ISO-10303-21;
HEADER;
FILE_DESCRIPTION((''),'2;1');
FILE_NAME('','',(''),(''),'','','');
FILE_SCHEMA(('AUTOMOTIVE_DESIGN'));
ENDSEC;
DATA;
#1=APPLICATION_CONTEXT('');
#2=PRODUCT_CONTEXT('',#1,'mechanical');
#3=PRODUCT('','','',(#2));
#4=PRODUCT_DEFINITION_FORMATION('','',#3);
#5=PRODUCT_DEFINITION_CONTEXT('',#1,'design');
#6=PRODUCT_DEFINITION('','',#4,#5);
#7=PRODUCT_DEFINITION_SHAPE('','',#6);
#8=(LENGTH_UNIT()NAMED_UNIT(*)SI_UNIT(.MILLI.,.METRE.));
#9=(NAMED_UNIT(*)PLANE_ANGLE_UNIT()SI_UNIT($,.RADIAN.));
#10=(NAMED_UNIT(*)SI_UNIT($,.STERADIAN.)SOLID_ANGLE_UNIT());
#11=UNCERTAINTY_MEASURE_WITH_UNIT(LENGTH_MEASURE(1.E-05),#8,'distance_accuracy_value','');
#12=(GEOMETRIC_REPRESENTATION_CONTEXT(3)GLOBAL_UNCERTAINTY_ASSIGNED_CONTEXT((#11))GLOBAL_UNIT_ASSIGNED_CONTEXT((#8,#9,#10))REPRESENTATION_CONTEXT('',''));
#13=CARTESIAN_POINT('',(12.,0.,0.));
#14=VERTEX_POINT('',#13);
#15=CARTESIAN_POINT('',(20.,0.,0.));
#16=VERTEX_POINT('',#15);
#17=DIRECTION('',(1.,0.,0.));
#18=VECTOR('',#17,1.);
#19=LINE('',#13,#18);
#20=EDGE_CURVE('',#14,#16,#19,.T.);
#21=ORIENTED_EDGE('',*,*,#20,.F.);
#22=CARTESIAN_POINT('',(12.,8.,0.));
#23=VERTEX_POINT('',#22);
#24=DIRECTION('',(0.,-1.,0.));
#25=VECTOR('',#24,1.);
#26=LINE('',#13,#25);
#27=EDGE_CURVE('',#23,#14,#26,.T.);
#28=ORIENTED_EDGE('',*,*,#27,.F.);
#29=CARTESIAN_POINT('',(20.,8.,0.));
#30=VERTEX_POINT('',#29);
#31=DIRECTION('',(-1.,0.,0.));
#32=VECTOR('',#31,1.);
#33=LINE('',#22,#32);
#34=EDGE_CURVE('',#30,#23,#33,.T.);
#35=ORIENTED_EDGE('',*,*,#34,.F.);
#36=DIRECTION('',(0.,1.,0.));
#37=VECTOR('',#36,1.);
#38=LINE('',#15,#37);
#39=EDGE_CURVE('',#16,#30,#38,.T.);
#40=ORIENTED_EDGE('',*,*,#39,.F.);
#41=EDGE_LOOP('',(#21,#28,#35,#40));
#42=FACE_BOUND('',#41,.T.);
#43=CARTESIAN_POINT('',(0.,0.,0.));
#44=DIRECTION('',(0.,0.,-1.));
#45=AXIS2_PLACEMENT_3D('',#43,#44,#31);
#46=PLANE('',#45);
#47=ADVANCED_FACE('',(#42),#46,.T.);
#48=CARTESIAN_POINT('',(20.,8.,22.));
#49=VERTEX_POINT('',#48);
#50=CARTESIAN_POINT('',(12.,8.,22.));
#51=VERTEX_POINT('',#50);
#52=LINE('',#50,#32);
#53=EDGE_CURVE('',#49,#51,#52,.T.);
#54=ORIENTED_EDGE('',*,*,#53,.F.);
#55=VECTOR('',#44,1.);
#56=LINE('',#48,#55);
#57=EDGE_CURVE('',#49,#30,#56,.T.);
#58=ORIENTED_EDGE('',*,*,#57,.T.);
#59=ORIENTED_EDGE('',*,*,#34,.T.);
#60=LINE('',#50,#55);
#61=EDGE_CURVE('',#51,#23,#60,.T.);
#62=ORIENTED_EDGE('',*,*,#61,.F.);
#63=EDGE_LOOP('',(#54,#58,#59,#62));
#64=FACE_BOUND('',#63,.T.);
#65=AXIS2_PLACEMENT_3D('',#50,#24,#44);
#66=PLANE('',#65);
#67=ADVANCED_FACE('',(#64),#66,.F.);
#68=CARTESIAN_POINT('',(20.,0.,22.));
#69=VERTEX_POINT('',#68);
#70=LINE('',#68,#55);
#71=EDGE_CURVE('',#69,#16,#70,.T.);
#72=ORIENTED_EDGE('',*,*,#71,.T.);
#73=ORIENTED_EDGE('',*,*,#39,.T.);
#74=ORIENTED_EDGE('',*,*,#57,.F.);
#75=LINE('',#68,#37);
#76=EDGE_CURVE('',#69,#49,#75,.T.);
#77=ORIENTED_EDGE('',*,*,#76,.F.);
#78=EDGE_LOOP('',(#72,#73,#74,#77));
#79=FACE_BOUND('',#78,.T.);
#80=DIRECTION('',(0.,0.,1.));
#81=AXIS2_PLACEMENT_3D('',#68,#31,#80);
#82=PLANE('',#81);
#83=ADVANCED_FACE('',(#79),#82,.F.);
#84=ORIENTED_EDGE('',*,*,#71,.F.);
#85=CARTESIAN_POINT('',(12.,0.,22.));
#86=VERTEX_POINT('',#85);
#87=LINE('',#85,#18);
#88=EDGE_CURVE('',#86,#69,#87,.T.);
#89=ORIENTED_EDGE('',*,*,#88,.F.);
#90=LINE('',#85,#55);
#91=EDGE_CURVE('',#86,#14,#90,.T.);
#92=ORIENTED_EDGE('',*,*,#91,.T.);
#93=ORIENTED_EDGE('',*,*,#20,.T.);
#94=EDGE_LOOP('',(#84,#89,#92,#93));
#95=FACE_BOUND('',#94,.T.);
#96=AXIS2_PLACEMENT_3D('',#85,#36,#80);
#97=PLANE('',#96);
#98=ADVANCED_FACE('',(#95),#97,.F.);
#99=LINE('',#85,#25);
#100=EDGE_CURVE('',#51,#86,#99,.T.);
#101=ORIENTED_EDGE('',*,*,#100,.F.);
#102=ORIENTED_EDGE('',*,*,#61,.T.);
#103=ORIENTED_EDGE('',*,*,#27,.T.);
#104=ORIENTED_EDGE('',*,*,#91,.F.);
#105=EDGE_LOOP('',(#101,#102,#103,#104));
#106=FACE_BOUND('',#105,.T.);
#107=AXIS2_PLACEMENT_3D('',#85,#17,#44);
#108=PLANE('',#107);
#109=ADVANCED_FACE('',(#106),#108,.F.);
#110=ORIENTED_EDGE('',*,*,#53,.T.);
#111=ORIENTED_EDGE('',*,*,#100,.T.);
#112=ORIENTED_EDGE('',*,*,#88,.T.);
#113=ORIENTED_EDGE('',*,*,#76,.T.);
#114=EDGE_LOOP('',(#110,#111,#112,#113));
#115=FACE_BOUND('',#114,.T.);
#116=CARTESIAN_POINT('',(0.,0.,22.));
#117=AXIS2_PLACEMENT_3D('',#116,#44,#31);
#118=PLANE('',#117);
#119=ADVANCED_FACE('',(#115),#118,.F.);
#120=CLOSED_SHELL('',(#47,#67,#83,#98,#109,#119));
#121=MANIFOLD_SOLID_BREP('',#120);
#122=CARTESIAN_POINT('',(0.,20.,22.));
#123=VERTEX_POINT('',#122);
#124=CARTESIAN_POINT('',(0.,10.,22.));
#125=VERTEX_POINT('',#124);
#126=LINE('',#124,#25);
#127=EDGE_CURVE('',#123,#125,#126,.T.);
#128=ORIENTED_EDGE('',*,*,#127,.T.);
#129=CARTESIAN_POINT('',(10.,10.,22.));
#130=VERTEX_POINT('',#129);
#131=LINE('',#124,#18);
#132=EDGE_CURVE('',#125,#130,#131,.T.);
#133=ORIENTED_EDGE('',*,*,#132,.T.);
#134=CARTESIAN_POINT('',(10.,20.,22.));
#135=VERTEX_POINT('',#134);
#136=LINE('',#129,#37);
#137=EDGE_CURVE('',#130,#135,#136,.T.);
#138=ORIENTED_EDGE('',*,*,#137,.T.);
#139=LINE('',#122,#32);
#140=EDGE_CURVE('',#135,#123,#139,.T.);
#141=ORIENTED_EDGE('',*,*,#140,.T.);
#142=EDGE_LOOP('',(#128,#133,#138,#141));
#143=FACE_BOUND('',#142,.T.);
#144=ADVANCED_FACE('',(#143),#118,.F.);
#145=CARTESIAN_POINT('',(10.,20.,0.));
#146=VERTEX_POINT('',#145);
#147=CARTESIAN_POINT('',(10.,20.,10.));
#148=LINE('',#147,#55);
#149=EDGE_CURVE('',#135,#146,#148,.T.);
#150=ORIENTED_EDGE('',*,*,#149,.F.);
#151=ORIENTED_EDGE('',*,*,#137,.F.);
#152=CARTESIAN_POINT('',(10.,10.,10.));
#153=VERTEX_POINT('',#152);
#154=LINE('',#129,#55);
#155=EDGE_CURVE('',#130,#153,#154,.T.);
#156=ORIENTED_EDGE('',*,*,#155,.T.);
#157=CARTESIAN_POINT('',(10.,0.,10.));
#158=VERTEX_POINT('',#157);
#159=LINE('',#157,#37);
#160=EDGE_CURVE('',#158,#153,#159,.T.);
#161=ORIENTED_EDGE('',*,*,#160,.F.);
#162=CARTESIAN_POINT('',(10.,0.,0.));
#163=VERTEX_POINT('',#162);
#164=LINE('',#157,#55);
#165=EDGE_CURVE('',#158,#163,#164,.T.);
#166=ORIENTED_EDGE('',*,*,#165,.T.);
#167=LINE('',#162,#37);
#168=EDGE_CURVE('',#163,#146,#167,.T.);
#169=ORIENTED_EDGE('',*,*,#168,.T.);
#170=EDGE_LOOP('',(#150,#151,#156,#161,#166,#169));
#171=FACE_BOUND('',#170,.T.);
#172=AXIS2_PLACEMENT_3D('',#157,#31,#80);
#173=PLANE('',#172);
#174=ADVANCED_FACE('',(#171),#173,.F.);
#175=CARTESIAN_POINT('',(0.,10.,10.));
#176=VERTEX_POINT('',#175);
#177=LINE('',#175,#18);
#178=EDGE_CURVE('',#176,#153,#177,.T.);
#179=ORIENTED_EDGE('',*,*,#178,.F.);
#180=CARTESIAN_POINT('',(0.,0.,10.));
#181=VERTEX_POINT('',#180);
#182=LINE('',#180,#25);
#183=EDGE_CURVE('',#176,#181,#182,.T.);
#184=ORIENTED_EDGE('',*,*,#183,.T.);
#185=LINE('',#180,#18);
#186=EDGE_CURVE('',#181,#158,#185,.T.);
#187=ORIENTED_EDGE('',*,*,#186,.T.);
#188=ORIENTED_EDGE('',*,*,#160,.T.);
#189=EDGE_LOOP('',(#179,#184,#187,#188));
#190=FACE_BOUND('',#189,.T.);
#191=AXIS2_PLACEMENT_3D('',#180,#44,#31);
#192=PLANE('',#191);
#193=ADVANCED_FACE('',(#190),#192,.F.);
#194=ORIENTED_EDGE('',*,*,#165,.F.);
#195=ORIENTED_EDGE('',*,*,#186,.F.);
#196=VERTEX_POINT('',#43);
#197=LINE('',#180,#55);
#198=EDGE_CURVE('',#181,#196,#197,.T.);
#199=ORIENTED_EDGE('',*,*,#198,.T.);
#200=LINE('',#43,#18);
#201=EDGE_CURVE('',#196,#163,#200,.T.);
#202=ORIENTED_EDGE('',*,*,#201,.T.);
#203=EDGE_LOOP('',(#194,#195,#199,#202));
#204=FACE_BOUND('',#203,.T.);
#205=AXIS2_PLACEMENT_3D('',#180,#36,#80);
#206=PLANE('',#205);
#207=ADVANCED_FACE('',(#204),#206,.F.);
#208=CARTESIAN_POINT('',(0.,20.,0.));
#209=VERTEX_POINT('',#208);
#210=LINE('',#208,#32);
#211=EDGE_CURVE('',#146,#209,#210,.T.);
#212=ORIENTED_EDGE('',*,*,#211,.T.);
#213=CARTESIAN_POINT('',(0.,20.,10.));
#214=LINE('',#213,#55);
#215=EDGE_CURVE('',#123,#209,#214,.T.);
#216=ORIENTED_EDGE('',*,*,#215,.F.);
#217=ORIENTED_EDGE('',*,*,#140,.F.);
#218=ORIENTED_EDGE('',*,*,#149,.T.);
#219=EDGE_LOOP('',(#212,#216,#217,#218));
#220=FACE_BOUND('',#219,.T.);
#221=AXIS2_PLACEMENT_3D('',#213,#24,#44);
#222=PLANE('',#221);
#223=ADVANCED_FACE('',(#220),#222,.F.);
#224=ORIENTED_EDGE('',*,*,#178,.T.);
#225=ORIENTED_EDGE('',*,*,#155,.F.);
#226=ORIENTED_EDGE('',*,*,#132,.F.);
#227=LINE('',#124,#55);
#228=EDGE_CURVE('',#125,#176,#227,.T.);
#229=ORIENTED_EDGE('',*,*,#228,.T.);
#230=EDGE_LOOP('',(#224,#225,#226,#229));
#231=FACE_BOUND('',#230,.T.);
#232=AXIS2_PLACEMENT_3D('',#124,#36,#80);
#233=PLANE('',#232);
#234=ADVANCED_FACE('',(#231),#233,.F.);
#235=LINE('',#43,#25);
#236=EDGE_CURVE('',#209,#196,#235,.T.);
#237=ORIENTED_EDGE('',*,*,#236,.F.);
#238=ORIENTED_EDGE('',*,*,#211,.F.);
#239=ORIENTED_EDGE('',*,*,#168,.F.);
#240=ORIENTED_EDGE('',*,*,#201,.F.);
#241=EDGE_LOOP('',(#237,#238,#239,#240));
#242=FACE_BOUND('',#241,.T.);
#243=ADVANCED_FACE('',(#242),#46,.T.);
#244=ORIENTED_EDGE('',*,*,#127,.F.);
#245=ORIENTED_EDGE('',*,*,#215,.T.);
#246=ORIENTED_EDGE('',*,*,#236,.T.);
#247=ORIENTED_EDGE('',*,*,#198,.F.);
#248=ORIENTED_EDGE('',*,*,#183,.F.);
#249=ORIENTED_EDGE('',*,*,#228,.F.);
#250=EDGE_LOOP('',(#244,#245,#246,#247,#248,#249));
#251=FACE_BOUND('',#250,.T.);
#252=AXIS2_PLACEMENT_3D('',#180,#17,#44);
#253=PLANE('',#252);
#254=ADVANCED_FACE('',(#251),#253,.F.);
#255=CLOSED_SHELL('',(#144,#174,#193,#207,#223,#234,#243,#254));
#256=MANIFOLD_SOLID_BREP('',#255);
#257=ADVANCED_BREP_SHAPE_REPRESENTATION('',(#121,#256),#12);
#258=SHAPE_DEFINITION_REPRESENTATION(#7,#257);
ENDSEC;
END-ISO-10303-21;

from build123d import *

# Parameters (mm, degrees)
SKETCH1_W           = 10
SKETCH1_H           = 20
BOSS_EXTRUDE1_DEPTH = 10
SKETCH2_W           = 10
SKETCH2_H           = 10
BOSS_EXTRUDE2_DEPTH = 22
SKETCH3_W           = 8
SKETCH3_H           = 8
BOSS_EXTRUDE3_DEPTH = 22


with BuildPart() as part:
    # Sketch1 → Boss-Extrude1 (new body)
    with BuildSketch(Plane.XY):
        with Locations((5, 10)):
            Rectangle(SKETCH1_W, SKETCH1_H)
    extrude(amount=BOSS_EXTRUDE1_DEPTH)

    # Sketch2 → Boss-Extrude2 (add)
    with BuildSketch(Plane.XY):
        with Locations((5, 15)):
            Rectangle(SKETCH2_W, SKETCH2_H)
    extrude(amount=BOSS_EXTRUDE2_DEPTH)


with BuildPart() as body_2:
    # Sketch3 → Boss-Extrude3 (new body)
    with BuildSketch(Plane.XY):
        with Locations((16, 4)):
            Rectangle(SKETCH3_W, SKETCH3_H)
    extrude(amount=BOSS_EXTRUDE3_DEPTH)


solid = Compound([part.part, body_2.part])
